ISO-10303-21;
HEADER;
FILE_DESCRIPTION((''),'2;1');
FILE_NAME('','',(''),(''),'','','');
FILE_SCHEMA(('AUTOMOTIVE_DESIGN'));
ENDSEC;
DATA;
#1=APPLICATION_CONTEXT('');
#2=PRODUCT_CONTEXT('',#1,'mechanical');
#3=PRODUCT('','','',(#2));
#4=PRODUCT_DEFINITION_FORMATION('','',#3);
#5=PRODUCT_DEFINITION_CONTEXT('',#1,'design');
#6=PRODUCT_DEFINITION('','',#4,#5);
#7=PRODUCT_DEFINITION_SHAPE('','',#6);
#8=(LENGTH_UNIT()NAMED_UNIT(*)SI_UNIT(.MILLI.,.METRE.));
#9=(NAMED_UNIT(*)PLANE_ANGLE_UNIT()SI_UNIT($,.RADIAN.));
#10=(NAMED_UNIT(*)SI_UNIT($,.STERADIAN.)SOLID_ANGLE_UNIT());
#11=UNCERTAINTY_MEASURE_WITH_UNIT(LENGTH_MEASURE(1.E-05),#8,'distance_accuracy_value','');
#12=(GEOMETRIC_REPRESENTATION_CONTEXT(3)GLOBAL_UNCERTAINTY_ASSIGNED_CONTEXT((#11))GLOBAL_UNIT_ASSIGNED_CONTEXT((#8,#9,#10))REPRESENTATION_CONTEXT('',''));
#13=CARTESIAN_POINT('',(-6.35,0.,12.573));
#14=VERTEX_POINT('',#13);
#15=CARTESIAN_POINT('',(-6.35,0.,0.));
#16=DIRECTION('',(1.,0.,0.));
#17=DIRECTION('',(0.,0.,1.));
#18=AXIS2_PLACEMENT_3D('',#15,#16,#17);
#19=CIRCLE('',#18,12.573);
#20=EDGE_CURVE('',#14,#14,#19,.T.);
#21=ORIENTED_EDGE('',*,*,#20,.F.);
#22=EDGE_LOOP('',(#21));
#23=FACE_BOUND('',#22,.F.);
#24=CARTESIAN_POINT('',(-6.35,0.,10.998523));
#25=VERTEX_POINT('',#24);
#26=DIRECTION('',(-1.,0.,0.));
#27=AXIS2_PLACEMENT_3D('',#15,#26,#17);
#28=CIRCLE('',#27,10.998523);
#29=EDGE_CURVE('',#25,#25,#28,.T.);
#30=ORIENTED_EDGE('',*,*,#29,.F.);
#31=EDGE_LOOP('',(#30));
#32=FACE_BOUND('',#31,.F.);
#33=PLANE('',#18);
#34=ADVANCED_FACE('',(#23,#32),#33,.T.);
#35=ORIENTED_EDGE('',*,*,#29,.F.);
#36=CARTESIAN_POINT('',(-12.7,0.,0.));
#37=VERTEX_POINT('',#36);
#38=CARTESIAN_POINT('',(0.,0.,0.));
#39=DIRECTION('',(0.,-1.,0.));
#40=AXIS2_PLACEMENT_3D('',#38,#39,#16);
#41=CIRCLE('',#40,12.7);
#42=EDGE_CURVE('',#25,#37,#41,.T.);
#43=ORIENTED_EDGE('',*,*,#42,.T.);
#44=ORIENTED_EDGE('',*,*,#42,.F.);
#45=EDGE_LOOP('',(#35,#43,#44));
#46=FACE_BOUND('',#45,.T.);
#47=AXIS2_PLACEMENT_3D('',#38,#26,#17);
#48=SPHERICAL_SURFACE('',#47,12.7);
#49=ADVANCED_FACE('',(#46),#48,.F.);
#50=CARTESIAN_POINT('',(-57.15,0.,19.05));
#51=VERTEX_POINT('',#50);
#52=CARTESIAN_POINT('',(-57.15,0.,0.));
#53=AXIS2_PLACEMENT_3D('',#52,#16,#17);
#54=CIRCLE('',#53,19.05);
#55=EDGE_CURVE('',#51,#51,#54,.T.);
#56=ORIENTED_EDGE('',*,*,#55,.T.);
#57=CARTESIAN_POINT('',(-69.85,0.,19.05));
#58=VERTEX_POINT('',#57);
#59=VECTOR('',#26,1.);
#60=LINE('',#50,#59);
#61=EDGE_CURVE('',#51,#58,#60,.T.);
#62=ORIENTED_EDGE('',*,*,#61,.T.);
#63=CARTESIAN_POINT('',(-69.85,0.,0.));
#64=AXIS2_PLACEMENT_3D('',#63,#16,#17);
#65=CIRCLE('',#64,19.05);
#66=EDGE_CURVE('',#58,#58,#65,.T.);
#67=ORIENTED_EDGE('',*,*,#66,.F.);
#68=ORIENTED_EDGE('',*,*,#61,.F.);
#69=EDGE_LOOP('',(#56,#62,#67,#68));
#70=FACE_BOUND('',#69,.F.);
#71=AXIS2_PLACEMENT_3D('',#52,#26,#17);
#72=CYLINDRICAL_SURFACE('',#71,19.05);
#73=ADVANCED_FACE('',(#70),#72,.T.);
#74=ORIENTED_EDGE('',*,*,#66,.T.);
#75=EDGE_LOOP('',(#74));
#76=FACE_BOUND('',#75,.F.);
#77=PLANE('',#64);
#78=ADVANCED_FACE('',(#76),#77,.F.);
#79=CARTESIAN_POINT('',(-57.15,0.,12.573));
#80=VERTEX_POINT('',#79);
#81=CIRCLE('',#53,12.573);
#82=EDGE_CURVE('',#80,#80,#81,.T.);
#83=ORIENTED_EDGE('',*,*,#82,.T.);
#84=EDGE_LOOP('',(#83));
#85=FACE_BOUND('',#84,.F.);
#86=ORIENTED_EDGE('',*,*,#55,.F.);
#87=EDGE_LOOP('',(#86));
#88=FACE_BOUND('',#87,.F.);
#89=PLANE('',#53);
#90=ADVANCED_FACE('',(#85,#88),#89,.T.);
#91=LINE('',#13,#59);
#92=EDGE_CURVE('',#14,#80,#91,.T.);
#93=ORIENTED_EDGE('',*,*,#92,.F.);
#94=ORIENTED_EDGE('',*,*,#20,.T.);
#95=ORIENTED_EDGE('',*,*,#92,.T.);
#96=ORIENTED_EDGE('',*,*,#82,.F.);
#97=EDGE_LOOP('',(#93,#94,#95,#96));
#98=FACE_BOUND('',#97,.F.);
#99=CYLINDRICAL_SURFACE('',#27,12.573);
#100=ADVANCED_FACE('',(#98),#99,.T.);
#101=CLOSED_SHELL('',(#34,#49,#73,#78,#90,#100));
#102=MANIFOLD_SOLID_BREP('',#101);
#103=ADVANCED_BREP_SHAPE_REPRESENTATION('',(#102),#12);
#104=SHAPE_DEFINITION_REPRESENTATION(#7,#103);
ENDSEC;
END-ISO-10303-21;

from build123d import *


with BuildPart() as f1:
    # F0 (on Front) → F1 (revolve)
    with BuildSketch(Plane.XZ):
        Polygon((-69.85, 19.05), (-69.85, 0), (-6.35, 0), (-6.35, 12.573), (-57.15, 12.573), (-57.15, 19.05), align=None)
    revolve(axis=Axis((-38.1, 0, 0), (1, 0, 0)))

    # F2 (on Front) → F3 (revolve, cut)
    with BuildSketch(Plane.XZ):
        with BuildLine():
            Line((-12.7, 0), (12.7, 0))
            ThreePointArc((12.7, 0), (0, 12.7), (-12.7, 0))
        make_face()
    revolve(axis=Axis((0, 0, 0), (1, 0, 0)), mode=Mode.SUBTRACT)


solid = f1.part
